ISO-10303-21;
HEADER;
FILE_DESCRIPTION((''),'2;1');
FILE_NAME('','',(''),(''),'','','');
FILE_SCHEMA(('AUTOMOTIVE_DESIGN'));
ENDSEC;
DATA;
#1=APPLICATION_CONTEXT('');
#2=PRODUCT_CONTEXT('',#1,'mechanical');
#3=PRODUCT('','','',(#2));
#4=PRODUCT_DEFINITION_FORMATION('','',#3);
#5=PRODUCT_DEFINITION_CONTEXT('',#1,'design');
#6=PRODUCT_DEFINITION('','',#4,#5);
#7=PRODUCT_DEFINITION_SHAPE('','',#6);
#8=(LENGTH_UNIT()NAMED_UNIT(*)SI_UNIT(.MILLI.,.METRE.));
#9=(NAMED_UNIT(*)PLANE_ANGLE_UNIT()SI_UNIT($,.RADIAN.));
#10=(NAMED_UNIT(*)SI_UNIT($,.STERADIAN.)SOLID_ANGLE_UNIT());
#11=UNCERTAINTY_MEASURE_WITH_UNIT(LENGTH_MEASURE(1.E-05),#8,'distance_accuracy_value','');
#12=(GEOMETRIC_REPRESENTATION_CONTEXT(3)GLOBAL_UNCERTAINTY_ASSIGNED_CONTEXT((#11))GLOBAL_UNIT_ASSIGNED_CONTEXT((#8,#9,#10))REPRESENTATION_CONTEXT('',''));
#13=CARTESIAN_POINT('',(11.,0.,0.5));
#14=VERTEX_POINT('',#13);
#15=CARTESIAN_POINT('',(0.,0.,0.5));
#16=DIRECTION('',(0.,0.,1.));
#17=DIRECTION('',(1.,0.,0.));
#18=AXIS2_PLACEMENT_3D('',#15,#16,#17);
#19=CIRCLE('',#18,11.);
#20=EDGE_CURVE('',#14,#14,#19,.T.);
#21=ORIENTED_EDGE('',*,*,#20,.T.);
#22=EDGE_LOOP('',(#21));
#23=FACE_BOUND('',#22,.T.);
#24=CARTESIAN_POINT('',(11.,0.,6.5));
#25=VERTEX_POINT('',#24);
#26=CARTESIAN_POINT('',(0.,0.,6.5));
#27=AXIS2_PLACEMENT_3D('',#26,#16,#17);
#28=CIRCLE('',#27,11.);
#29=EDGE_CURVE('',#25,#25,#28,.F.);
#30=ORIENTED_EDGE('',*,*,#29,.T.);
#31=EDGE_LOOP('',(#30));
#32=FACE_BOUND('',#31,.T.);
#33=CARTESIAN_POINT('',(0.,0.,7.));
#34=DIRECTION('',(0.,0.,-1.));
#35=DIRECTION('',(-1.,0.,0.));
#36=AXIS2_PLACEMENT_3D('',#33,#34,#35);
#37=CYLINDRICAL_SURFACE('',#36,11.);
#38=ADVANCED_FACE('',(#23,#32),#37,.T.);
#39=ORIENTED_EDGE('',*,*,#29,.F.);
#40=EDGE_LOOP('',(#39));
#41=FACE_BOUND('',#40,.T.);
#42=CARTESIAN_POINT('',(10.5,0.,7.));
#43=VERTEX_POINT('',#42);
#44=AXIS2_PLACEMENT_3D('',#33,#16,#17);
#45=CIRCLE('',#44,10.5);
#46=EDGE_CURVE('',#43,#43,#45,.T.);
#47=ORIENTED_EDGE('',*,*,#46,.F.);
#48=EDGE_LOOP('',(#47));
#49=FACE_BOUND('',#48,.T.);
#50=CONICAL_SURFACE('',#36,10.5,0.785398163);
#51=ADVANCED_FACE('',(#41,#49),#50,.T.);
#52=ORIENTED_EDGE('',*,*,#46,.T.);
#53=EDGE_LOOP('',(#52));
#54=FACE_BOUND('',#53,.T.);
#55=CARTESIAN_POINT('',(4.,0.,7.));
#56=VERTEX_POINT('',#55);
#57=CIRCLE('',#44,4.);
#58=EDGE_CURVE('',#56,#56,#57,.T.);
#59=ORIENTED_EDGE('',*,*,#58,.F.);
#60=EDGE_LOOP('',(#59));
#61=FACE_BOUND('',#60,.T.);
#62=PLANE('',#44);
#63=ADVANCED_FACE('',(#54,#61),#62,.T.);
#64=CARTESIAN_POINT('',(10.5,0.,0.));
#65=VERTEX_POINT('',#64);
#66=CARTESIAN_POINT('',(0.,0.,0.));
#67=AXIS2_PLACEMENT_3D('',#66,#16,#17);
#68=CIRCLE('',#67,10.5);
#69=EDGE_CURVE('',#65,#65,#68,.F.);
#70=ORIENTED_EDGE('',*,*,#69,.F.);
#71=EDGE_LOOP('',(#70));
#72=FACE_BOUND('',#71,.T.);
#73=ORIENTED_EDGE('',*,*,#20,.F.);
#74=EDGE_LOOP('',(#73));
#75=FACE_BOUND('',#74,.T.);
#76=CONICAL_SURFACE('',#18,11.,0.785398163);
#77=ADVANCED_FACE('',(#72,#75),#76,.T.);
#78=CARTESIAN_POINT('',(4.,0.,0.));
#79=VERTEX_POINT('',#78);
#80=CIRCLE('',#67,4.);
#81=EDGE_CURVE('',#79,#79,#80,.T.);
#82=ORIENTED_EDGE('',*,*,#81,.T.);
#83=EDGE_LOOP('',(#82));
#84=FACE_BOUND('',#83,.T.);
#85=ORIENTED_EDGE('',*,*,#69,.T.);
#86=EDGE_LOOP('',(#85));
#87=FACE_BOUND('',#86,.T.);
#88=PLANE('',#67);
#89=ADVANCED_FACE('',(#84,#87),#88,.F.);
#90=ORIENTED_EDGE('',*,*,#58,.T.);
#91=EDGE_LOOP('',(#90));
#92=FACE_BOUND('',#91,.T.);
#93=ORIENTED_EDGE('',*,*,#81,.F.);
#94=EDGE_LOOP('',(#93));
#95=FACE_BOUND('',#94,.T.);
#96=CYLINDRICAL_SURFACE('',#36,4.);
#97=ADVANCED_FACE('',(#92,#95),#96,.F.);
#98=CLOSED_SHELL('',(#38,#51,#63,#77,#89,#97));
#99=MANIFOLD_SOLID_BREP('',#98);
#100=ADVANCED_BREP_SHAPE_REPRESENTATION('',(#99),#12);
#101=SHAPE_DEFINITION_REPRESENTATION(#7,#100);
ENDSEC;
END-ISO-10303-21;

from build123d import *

# Parameters (mm, degrees)
ESBO_O1_R                = 11
ESBO_O1_R_2              = 4
RESSALTO_EXTRUS_O1_DEPTH = 7
CHANFRO1_SIZE            = 0.5


with BuildPart() as part:
    # Esboço1 → Ressalto-extrusão1 (new body)
    with BuildSketch(Plane.XY):
        Circle(ESBO_O1_R)
        Circle(ESBO_O1_R_2, mode=Mode.SUBTRACT)
    extrude(amount=RESSALTO_EXTRUS_O1_DEPTH)

    # Chanfro1
    chanfro1_edges = [part.edges().sort_by_distance(p)[0] for p in [
        (-11, 0, 0),
        (-11, 0, 7),
    ]]
    chamfer(chanfro1_edges, length=CHANFRO1_SIZE)


solid = part.part
